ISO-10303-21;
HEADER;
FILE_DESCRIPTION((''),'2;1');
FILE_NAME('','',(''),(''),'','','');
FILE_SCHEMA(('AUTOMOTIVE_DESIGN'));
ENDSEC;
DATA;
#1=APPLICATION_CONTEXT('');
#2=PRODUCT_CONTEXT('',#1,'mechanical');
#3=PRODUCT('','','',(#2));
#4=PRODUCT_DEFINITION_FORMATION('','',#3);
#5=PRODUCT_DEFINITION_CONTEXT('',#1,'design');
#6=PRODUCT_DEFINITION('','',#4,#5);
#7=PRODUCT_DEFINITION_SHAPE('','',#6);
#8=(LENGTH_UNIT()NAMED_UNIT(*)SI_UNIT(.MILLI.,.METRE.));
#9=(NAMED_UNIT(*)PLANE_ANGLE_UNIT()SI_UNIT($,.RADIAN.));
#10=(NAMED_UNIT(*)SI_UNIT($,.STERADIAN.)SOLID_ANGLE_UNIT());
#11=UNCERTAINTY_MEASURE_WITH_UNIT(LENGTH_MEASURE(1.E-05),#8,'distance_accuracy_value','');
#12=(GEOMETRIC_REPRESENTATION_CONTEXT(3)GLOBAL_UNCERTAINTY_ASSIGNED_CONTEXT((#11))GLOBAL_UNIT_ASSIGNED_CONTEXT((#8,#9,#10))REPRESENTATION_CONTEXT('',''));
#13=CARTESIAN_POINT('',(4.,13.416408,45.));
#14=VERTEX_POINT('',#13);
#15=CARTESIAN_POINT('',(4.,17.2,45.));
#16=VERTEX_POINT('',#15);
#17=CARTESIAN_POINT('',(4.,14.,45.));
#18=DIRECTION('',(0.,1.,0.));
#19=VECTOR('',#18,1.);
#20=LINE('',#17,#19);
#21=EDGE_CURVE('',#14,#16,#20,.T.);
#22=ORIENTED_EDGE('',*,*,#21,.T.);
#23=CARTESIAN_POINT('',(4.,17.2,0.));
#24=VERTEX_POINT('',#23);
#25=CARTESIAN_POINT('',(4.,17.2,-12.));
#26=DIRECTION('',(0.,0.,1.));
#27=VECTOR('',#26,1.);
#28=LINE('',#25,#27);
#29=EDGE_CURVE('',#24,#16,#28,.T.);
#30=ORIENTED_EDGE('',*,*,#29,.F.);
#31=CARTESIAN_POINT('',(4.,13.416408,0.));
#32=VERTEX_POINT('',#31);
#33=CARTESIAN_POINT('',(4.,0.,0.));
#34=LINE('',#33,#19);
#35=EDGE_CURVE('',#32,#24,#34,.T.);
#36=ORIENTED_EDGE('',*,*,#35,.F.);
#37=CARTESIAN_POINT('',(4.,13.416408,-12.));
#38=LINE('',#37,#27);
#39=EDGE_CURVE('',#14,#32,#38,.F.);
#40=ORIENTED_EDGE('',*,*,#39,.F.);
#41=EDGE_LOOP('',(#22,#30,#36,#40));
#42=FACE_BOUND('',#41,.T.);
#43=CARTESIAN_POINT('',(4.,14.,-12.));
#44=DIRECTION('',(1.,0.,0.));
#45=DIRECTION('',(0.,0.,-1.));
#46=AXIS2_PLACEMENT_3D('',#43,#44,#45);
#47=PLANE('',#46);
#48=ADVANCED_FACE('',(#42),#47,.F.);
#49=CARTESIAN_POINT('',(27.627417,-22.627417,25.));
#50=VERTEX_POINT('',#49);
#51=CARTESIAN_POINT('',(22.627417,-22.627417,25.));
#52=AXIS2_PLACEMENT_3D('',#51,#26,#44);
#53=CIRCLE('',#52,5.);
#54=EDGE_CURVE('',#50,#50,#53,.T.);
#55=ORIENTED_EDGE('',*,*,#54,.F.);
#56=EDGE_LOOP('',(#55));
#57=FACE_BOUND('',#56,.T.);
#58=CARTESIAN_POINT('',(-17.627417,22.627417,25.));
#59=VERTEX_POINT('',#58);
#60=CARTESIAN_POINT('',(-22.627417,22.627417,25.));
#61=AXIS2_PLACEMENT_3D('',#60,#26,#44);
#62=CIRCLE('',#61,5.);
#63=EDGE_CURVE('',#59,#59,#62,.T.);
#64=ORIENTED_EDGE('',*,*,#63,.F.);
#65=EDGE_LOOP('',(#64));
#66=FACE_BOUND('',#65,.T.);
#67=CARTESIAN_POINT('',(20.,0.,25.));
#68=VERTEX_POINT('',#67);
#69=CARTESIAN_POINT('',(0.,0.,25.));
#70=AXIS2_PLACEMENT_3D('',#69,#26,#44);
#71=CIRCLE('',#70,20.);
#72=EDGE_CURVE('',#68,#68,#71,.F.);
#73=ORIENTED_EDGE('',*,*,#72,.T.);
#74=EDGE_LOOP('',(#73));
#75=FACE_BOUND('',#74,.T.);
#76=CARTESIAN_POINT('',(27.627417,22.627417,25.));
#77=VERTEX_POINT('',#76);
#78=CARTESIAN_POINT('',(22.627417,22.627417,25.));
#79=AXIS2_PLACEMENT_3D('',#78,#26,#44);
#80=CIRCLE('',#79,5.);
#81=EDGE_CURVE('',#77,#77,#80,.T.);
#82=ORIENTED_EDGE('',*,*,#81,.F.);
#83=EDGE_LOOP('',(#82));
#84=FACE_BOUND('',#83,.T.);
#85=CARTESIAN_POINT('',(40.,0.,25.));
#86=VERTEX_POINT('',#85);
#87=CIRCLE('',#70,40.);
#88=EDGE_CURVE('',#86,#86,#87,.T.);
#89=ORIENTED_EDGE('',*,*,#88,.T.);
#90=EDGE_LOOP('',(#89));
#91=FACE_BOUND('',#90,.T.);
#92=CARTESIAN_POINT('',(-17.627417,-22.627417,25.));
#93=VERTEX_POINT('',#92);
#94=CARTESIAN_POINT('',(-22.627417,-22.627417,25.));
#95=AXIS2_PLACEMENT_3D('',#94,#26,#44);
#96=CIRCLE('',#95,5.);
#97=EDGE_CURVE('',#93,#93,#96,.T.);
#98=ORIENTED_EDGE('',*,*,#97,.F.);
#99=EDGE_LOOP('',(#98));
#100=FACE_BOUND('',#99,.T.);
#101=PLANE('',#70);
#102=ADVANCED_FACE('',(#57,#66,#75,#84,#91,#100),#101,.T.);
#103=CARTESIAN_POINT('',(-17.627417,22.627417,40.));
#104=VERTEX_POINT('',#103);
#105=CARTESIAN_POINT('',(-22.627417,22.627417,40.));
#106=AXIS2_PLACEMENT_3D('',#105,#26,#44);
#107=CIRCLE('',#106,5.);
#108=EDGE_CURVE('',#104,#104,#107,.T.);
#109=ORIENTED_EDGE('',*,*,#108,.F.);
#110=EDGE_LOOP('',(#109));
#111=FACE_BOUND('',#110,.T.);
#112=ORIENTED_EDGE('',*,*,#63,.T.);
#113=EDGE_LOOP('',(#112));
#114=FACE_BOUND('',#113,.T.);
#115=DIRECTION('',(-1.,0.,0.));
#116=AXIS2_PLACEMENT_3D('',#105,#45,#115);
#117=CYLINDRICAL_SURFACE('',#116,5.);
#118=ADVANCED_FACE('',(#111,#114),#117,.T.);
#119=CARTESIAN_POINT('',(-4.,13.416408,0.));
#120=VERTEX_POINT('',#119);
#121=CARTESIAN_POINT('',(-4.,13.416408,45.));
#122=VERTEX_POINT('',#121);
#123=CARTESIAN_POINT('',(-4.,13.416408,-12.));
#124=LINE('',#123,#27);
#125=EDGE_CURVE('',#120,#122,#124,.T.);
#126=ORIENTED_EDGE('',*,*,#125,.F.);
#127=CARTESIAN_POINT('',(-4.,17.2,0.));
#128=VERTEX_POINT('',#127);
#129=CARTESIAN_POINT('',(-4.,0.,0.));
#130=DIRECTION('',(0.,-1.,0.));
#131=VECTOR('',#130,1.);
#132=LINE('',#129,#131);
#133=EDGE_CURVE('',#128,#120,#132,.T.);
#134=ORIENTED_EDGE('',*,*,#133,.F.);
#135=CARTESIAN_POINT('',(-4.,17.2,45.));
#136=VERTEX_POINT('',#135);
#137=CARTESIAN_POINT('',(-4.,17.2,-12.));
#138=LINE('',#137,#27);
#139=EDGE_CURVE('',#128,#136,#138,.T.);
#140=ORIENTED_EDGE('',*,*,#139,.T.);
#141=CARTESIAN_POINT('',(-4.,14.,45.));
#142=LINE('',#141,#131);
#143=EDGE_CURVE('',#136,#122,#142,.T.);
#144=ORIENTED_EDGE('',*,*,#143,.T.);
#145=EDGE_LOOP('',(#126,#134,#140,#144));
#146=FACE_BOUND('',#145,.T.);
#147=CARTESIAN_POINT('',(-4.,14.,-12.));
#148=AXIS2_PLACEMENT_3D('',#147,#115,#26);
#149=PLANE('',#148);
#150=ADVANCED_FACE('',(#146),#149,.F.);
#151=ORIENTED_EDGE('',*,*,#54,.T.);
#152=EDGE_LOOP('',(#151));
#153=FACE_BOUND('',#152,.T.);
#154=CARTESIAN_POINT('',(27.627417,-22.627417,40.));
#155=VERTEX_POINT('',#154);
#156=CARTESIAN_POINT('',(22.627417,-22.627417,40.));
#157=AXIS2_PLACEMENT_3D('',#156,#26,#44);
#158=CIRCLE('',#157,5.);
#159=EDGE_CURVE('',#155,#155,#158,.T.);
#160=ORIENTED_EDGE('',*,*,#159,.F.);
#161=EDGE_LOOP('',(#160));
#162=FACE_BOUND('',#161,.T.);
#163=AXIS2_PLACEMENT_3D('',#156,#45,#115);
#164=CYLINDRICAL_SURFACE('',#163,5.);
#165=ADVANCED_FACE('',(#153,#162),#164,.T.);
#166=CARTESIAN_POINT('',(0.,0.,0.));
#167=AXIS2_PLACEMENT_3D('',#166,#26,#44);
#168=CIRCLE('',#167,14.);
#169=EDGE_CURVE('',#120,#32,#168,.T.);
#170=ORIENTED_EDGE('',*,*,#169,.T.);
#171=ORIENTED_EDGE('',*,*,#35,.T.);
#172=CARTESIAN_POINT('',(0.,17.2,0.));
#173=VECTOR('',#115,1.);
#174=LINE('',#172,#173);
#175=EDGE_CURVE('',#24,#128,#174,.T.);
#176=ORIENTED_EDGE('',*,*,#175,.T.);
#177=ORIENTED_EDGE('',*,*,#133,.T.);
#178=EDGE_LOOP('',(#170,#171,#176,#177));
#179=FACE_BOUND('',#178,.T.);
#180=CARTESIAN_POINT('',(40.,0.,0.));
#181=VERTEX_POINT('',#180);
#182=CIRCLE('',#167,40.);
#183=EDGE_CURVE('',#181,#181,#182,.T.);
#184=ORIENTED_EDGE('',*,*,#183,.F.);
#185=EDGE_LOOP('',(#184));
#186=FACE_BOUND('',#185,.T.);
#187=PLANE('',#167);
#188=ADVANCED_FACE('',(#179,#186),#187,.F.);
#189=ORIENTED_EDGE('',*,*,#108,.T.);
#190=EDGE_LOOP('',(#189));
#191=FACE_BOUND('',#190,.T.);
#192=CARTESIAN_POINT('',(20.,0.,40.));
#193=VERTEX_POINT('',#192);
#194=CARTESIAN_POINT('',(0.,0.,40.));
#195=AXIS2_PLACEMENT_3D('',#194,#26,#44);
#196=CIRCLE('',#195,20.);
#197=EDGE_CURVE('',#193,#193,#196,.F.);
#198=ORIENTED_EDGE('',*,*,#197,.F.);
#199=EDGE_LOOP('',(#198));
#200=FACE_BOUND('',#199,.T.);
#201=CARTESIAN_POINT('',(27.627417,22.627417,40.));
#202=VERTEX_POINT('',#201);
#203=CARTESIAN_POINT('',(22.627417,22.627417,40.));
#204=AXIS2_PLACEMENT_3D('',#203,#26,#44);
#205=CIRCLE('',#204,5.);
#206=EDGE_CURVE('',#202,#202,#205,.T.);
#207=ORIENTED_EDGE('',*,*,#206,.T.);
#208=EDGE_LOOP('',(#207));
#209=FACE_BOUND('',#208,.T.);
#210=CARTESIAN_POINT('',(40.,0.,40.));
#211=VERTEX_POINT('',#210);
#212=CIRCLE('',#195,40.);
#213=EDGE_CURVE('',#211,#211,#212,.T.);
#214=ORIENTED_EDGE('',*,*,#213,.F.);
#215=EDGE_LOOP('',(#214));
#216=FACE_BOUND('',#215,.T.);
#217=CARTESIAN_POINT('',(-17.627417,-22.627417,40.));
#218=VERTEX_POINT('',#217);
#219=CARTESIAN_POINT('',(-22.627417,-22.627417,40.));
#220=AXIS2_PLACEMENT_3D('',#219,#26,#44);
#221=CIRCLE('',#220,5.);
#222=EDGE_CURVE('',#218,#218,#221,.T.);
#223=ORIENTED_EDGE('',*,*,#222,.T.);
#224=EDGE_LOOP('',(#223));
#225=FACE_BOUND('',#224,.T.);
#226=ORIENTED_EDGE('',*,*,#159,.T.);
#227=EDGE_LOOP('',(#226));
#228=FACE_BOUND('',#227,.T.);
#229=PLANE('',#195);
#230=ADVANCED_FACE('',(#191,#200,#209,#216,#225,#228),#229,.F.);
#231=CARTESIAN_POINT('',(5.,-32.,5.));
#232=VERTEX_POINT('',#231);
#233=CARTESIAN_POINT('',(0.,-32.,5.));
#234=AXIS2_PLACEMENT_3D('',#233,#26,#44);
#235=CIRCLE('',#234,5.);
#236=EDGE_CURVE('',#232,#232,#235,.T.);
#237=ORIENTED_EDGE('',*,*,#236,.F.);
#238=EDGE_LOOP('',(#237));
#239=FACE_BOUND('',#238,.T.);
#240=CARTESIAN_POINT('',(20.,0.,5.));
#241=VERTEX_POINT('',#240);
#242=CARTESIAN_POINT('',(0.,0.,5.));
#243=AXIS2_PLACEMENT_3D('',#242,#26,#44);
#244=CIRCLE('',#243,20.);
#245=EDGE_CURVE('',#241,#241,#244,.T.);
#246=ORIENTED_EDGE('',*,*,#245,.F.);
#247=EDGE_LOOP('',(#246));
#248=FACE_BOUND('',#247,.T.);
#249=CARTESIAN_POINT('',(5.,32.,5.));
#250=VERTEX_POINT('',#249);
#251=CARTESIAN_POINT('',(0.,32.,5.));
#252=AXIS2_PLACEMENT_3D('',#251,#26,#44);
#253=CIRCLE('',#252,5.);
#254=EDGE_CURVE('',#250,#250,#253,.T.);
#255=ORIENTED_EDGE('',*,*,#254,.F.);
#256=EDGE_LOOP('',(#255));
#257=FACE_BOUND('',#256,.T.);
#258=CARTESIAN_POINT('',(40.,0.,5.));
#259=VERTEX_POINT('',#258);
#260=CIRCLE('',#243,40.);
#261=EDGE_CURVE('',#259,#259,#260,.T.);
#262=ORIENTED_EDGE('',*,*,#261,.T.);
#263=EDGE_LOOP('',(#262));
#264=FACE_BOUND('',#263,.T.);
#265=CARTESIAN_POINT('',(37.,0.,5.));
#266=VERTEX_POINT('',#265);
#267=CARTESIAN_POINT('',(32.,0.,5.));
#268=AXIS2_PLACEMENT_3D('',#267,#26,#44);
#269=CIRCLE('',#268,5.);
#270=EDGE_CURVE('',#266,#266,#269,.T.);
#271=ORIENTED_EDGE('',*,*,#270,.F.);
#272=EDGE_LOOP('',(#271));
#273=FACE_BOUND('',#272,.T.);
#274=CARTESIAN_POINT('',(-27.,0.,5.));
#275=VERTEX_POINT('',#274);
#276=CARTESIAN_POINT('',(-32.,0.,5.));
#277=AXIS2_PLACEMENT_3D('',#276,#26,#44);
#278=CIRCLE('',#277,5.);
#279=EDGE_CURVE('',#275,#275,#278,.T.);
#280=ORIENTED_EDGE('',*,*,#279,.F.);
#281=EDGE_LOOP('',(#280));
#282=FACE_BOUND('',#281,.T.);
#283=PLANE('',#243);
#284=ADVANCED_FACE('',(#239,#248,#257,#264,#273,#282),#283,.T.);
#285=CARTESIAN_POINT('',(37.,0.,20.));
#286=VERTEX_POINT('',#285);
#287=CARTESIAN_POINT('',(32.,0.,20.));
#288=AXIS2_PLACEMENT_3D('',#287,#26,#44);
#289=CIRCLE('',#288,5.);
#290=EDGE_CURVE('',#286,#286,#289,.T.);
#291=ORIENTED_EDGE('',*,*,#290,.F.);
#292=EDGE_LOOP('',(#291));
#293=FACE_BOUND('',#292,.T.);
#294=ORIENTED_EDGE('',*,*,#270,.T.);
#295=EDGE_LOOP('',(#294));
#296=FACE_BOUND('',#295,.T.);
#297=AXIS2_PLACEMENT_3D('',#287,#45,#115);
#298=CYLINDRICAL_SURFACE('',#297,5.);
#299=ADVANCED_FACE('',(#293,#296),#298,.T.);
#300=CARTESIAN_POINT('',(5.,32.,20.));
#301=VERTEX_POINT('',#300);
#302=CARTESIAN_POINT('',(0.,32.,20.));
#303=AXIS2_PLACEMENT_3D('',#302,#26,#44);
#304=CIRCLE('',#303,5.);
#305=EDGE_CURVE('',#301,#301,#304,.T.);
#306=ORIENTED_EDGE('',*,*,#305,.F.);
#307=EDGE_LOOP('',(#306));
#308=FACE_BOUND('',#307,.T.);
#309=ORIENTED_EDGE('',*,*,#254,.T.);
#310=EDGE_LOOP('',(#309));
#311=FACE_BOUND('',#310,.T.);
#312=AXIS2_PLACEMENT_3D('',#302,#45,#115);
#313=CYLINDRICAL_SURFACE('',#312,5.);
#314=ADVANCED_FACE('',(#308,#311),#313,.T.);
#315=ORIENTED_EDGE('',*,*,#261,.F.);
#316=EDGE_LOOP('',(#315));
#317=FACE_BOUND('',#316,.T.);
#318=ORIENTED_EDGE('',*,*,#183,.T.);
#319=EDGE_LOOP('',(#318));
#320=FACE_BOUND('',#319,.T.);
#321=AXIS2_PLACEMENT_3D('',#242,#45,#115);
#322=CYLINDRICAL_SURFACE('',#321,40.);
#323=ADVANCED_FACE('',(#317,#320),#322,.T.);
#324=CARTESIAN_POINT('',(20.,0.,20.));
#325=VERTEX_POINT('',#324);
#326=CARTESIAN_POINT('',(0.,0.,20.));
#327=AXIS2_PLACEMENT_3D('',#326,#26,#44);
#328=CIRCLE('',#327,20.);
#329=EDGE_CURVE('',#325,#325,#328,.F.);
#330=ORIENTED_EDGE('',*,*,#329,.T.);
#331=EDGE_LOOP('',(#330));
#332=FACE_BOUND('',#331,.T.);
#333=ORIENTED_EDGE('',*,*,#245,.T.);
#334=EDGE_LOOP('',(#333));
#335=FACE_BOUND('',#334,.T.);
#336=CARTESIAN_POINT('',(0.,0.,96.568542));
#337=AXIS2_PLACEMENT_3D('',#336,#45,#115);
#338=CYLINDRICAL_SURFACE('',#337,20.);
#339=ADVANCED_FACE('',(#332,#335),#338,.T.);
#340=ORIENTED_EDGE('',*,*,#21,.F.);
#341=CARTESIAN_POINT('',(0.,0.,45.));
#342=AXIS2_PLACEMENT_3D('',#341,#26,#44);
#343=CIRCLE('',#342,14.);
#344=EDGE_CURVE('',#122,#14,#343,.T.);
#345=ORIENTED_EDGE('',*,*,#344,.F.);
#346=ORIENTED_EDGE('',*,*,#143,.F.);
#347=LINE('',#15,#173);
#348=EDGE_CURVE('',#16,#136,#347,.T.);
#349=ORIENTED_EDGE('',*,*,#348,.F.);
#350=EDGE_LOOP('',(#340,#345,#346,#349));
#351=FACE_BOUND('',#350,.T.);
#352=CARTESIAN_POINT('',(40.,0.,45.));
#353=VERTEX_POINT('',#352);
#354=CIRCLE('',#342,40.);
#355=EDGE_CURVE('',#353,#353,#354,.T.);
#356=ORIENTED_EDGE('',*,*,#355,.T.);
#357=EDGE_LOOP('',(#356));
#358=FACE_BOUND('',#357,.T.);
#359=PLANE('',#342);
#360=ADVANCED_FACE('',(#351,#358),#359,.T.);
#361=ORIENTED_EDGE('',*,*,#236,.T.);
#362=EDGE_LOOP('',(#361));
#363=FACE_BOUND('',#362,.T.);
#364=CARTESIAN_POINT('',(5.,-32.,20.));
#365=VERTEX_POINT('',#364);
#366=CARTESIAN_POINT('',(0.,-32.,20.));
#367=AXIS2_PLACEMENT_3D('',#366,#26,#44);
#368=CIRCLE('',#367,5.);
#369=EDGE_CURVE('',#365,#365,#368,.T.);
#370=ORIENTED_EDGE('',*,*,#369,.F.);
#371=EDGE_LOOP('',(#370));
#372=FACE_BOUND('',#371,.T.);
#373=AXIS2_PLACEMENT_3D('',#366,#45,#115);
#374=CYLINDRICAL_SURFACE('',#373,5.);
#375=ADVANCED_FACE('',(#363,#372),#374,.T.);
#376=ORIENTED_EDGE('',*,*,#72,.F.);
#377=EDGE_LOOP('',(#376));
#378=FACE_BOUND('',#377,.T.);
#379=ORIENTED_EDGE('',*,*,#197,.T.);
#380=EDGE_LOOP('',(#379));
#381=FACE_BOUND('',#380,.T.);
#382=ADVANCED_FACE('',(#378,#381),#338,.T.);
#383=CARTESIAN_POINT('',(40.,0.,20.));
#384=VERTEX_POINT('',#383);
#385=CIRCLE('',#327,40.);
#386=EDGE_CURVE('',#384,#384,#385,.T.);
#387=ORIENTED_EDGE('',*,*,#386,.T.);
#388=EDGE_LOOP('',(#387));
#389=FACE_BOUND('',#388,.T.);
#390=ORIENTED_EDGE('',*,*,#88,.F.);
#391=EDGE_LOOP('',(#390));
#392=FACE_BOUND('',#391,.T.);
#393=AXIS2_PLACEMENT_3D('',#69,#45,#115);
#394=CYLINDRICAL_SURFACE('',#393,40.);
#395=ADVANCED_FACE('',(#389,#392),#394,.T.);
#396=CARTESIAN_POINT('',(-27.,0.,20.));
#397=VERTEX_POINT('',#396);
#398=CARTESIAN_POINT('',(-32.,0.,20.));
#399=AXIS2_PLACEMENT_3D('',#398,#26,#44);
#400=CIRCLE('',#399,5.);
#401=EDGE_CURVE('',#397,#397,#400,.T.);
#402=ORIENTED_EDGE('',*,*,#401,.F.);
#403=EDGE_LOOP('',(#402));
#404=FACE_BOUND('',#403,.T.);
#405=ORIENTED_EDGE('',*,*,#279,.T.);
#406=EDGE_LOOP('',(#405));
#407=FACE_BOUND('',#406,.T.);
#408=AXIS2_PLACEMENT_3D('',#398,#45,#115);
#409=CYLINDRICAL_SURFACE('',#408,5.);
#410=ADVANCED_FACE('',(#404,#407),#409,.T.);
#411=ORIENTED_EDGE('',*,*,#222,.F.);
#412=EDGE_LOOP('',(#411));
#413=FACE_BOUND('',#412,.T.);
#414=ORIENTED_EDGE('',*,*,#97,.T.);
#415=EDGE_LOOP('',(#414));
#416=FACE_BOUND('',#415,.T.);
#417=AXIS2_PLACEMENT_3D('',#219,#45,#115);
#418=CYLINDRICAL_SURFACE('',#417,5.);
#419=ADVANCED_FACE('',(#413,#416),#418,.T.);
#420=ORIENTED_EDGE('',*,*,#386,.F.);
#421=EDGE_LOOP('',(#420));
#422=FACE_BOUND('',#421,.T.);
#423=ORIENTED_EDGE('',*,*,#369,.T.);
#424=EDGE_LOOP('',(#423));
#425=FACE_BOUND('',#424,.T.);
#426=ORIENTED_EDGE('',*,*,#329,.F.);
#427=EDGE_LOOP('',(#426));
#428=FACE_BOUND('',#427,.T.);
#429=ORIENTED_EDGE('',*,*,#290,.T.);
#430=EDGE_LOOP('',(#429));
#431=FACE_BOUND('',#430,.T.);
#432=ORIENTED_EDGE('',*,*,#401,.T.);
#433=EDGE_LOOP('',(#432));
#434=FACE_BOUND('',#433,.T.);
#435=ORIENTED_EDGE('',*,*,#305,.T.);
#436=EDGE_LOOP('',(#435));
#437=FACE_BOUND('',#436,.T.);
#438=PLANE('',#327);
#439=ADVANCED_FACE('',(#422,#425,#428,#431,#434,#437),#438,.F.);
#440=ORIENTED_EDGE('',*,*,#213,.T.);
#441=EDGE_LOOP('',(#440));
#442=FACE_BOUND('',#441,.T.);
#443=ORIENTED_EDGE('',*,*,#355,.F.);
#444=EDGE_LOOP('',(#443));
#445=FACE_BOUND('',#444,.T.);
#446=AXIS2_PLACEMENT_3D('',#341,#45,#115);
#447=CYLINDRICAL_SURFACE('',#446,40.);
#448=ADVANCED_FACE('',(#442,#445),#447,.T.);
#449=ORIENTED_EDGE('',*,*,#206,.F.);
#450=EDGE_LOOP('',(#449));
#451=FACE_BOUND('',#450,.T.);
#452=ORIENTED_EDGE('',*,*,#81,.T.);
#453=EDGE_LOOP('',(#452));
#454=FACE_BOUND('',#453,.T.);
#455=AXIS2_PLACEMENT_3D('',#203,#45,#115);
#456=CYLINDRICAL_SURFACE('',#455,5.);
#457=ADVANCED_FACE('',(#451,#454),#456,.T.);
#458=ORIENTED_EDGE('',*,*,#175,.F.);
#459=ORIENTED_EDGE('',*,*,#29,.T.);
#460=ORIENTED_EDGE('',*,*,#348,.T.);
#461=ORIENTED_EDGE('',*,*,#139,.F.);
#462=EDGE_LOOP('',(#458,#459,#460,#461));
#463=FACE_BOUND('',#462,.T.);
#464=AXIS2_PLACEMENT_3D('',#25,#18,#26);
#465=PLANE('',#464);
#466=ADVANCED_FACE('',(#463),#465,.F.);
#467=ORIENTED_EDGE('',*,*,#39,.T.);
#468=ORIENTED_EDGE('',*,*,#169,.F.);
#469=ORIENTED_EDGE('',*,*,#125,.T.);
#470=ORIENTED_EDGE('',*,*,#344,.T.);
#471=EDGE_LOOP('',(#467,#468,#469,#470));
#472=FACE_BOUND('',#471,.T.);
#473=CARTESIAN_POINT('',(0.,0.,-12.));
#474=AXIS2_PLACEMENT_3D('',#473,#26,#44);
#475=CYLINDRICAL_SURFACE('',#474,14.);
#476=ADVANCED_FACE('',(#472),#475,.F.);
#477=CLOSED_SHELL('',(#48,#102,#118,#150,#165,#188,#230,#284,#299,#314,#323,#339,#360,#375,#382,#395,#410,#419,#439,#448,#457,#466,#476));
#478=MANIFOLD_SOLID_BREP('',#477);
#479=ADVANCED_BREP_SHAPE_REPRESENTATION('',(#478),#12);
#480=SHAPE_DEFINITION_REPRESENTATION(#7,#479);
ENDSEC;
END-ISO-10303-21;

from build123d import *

# Parameters (mm, degrees)
SKETCH_1_R          = 40
EXTRUDE_1_DEPTH     = 5
SKETCH_2_R          = 5
EXTRUDE_2_DEPTH     = 15
SKETCH_3_R          = 40
EXTRUDE_3_DEPTH     = 5
SKETCH_4_R          = 5
EXTRUDE_4_DEPTH     = 15
SKETCH_5_R          = 40
EXTRUDE_5_DEPTH     = 5
SKETCH_6_R          = 20
EXTRUDE_6_DEPTH     = 35
SKETCH_7_R          = 14
CUT_EXTRUDE_1_DEPTH = 57
CUT_EXTRUDE_2_DEPTH = 57


with BuildPart() as part:
    # 草图1 → 凸台-拉伸1 (new body)
    with BuildSketch(Plane.XY):
        Circle(SKETCH_1_R)
    extrude(amount=EXTRUDE_1_DEPTH)

    # 草图2 → 凸台-拉伸2 (add)
    with BuildSketch(Plane.XY.offset(5)):
        with Locations((32, 0)):
            Circle(SKETCH_2_R)
        with Locations((0, -32)):
            Circle(SKETCH_2_R)
        with Locations((-32, 0)):
            Circle(SKETCH_2_R)
        with Locations((0, 32)):
            Circle(SKETCH_2_R)
    extrude(amount=EXTRUDE_2_DEPTH)

    # 草图3 → 凸台-拉伸3 (add)
    with BuildSketch(Plane.XY.offset(20)):
        Circle(SKETCH_3_R)
    extrude(amount=EXTRUDE_3_DEPTH)

    # 草图4 → 凸台-拉伸4 (add)
    with BuildSketch(Plane.XY.offset(25)):
        with Locations((22.627416998, -22.627416998)):
            Circle(SKETCH_4_R)
        with Locations((-22.627416998, -22.627416998)):
            Circle(SKETCH_4_R)
        with Locations((-22.627416998, 22.627416998)):
            Circle(SKETCH_4_R)
        with Locations((22.627416998, 22.627416998)):
            Circle(SKETCH_4_R)
    extrude(amount=EXTRUDE_4_DEPTH)

    # 草图5 → 凸台-拉伸5 (add)
    with BuildSketch(Plane.XY.offset(40)):
        Circle(SKETCH_5_R)
    extrude(amount=EXTRUDE_5_DEPTH)

    # 草图6 → 凸台-拉伸6 (add)
    with BuildSketch(Plane.XY.offset(5)):
        Circle(SKETCH_6_R)
    extrude(amount=EXTRUDE_6_DEPTH)

    # 草图7 → 切除-拉伸1 (cut)
    with BuildSketch(Plane.XY.offset(45)):
        Circle(SKETCH_7_R)
    extrude(amount=-CUT_EXTRUDE_1_DEPTH, mode=Mode.SUBTRACT)

    # 草图8 → 切除-拉伸2 (cut)
    with BuildSketch(Plane.XY.offset(45)):
        Polygon((-4, 14), (-4, 9.394877301), (4, 9.394877301), (4, 14), (4, 17.2), (-4, 17.2), align=None)
    extrude(amount=-CUT_EXTRUDE_2_DEPTH, mode=Mode.SUBTRACT)


solid = part.part
